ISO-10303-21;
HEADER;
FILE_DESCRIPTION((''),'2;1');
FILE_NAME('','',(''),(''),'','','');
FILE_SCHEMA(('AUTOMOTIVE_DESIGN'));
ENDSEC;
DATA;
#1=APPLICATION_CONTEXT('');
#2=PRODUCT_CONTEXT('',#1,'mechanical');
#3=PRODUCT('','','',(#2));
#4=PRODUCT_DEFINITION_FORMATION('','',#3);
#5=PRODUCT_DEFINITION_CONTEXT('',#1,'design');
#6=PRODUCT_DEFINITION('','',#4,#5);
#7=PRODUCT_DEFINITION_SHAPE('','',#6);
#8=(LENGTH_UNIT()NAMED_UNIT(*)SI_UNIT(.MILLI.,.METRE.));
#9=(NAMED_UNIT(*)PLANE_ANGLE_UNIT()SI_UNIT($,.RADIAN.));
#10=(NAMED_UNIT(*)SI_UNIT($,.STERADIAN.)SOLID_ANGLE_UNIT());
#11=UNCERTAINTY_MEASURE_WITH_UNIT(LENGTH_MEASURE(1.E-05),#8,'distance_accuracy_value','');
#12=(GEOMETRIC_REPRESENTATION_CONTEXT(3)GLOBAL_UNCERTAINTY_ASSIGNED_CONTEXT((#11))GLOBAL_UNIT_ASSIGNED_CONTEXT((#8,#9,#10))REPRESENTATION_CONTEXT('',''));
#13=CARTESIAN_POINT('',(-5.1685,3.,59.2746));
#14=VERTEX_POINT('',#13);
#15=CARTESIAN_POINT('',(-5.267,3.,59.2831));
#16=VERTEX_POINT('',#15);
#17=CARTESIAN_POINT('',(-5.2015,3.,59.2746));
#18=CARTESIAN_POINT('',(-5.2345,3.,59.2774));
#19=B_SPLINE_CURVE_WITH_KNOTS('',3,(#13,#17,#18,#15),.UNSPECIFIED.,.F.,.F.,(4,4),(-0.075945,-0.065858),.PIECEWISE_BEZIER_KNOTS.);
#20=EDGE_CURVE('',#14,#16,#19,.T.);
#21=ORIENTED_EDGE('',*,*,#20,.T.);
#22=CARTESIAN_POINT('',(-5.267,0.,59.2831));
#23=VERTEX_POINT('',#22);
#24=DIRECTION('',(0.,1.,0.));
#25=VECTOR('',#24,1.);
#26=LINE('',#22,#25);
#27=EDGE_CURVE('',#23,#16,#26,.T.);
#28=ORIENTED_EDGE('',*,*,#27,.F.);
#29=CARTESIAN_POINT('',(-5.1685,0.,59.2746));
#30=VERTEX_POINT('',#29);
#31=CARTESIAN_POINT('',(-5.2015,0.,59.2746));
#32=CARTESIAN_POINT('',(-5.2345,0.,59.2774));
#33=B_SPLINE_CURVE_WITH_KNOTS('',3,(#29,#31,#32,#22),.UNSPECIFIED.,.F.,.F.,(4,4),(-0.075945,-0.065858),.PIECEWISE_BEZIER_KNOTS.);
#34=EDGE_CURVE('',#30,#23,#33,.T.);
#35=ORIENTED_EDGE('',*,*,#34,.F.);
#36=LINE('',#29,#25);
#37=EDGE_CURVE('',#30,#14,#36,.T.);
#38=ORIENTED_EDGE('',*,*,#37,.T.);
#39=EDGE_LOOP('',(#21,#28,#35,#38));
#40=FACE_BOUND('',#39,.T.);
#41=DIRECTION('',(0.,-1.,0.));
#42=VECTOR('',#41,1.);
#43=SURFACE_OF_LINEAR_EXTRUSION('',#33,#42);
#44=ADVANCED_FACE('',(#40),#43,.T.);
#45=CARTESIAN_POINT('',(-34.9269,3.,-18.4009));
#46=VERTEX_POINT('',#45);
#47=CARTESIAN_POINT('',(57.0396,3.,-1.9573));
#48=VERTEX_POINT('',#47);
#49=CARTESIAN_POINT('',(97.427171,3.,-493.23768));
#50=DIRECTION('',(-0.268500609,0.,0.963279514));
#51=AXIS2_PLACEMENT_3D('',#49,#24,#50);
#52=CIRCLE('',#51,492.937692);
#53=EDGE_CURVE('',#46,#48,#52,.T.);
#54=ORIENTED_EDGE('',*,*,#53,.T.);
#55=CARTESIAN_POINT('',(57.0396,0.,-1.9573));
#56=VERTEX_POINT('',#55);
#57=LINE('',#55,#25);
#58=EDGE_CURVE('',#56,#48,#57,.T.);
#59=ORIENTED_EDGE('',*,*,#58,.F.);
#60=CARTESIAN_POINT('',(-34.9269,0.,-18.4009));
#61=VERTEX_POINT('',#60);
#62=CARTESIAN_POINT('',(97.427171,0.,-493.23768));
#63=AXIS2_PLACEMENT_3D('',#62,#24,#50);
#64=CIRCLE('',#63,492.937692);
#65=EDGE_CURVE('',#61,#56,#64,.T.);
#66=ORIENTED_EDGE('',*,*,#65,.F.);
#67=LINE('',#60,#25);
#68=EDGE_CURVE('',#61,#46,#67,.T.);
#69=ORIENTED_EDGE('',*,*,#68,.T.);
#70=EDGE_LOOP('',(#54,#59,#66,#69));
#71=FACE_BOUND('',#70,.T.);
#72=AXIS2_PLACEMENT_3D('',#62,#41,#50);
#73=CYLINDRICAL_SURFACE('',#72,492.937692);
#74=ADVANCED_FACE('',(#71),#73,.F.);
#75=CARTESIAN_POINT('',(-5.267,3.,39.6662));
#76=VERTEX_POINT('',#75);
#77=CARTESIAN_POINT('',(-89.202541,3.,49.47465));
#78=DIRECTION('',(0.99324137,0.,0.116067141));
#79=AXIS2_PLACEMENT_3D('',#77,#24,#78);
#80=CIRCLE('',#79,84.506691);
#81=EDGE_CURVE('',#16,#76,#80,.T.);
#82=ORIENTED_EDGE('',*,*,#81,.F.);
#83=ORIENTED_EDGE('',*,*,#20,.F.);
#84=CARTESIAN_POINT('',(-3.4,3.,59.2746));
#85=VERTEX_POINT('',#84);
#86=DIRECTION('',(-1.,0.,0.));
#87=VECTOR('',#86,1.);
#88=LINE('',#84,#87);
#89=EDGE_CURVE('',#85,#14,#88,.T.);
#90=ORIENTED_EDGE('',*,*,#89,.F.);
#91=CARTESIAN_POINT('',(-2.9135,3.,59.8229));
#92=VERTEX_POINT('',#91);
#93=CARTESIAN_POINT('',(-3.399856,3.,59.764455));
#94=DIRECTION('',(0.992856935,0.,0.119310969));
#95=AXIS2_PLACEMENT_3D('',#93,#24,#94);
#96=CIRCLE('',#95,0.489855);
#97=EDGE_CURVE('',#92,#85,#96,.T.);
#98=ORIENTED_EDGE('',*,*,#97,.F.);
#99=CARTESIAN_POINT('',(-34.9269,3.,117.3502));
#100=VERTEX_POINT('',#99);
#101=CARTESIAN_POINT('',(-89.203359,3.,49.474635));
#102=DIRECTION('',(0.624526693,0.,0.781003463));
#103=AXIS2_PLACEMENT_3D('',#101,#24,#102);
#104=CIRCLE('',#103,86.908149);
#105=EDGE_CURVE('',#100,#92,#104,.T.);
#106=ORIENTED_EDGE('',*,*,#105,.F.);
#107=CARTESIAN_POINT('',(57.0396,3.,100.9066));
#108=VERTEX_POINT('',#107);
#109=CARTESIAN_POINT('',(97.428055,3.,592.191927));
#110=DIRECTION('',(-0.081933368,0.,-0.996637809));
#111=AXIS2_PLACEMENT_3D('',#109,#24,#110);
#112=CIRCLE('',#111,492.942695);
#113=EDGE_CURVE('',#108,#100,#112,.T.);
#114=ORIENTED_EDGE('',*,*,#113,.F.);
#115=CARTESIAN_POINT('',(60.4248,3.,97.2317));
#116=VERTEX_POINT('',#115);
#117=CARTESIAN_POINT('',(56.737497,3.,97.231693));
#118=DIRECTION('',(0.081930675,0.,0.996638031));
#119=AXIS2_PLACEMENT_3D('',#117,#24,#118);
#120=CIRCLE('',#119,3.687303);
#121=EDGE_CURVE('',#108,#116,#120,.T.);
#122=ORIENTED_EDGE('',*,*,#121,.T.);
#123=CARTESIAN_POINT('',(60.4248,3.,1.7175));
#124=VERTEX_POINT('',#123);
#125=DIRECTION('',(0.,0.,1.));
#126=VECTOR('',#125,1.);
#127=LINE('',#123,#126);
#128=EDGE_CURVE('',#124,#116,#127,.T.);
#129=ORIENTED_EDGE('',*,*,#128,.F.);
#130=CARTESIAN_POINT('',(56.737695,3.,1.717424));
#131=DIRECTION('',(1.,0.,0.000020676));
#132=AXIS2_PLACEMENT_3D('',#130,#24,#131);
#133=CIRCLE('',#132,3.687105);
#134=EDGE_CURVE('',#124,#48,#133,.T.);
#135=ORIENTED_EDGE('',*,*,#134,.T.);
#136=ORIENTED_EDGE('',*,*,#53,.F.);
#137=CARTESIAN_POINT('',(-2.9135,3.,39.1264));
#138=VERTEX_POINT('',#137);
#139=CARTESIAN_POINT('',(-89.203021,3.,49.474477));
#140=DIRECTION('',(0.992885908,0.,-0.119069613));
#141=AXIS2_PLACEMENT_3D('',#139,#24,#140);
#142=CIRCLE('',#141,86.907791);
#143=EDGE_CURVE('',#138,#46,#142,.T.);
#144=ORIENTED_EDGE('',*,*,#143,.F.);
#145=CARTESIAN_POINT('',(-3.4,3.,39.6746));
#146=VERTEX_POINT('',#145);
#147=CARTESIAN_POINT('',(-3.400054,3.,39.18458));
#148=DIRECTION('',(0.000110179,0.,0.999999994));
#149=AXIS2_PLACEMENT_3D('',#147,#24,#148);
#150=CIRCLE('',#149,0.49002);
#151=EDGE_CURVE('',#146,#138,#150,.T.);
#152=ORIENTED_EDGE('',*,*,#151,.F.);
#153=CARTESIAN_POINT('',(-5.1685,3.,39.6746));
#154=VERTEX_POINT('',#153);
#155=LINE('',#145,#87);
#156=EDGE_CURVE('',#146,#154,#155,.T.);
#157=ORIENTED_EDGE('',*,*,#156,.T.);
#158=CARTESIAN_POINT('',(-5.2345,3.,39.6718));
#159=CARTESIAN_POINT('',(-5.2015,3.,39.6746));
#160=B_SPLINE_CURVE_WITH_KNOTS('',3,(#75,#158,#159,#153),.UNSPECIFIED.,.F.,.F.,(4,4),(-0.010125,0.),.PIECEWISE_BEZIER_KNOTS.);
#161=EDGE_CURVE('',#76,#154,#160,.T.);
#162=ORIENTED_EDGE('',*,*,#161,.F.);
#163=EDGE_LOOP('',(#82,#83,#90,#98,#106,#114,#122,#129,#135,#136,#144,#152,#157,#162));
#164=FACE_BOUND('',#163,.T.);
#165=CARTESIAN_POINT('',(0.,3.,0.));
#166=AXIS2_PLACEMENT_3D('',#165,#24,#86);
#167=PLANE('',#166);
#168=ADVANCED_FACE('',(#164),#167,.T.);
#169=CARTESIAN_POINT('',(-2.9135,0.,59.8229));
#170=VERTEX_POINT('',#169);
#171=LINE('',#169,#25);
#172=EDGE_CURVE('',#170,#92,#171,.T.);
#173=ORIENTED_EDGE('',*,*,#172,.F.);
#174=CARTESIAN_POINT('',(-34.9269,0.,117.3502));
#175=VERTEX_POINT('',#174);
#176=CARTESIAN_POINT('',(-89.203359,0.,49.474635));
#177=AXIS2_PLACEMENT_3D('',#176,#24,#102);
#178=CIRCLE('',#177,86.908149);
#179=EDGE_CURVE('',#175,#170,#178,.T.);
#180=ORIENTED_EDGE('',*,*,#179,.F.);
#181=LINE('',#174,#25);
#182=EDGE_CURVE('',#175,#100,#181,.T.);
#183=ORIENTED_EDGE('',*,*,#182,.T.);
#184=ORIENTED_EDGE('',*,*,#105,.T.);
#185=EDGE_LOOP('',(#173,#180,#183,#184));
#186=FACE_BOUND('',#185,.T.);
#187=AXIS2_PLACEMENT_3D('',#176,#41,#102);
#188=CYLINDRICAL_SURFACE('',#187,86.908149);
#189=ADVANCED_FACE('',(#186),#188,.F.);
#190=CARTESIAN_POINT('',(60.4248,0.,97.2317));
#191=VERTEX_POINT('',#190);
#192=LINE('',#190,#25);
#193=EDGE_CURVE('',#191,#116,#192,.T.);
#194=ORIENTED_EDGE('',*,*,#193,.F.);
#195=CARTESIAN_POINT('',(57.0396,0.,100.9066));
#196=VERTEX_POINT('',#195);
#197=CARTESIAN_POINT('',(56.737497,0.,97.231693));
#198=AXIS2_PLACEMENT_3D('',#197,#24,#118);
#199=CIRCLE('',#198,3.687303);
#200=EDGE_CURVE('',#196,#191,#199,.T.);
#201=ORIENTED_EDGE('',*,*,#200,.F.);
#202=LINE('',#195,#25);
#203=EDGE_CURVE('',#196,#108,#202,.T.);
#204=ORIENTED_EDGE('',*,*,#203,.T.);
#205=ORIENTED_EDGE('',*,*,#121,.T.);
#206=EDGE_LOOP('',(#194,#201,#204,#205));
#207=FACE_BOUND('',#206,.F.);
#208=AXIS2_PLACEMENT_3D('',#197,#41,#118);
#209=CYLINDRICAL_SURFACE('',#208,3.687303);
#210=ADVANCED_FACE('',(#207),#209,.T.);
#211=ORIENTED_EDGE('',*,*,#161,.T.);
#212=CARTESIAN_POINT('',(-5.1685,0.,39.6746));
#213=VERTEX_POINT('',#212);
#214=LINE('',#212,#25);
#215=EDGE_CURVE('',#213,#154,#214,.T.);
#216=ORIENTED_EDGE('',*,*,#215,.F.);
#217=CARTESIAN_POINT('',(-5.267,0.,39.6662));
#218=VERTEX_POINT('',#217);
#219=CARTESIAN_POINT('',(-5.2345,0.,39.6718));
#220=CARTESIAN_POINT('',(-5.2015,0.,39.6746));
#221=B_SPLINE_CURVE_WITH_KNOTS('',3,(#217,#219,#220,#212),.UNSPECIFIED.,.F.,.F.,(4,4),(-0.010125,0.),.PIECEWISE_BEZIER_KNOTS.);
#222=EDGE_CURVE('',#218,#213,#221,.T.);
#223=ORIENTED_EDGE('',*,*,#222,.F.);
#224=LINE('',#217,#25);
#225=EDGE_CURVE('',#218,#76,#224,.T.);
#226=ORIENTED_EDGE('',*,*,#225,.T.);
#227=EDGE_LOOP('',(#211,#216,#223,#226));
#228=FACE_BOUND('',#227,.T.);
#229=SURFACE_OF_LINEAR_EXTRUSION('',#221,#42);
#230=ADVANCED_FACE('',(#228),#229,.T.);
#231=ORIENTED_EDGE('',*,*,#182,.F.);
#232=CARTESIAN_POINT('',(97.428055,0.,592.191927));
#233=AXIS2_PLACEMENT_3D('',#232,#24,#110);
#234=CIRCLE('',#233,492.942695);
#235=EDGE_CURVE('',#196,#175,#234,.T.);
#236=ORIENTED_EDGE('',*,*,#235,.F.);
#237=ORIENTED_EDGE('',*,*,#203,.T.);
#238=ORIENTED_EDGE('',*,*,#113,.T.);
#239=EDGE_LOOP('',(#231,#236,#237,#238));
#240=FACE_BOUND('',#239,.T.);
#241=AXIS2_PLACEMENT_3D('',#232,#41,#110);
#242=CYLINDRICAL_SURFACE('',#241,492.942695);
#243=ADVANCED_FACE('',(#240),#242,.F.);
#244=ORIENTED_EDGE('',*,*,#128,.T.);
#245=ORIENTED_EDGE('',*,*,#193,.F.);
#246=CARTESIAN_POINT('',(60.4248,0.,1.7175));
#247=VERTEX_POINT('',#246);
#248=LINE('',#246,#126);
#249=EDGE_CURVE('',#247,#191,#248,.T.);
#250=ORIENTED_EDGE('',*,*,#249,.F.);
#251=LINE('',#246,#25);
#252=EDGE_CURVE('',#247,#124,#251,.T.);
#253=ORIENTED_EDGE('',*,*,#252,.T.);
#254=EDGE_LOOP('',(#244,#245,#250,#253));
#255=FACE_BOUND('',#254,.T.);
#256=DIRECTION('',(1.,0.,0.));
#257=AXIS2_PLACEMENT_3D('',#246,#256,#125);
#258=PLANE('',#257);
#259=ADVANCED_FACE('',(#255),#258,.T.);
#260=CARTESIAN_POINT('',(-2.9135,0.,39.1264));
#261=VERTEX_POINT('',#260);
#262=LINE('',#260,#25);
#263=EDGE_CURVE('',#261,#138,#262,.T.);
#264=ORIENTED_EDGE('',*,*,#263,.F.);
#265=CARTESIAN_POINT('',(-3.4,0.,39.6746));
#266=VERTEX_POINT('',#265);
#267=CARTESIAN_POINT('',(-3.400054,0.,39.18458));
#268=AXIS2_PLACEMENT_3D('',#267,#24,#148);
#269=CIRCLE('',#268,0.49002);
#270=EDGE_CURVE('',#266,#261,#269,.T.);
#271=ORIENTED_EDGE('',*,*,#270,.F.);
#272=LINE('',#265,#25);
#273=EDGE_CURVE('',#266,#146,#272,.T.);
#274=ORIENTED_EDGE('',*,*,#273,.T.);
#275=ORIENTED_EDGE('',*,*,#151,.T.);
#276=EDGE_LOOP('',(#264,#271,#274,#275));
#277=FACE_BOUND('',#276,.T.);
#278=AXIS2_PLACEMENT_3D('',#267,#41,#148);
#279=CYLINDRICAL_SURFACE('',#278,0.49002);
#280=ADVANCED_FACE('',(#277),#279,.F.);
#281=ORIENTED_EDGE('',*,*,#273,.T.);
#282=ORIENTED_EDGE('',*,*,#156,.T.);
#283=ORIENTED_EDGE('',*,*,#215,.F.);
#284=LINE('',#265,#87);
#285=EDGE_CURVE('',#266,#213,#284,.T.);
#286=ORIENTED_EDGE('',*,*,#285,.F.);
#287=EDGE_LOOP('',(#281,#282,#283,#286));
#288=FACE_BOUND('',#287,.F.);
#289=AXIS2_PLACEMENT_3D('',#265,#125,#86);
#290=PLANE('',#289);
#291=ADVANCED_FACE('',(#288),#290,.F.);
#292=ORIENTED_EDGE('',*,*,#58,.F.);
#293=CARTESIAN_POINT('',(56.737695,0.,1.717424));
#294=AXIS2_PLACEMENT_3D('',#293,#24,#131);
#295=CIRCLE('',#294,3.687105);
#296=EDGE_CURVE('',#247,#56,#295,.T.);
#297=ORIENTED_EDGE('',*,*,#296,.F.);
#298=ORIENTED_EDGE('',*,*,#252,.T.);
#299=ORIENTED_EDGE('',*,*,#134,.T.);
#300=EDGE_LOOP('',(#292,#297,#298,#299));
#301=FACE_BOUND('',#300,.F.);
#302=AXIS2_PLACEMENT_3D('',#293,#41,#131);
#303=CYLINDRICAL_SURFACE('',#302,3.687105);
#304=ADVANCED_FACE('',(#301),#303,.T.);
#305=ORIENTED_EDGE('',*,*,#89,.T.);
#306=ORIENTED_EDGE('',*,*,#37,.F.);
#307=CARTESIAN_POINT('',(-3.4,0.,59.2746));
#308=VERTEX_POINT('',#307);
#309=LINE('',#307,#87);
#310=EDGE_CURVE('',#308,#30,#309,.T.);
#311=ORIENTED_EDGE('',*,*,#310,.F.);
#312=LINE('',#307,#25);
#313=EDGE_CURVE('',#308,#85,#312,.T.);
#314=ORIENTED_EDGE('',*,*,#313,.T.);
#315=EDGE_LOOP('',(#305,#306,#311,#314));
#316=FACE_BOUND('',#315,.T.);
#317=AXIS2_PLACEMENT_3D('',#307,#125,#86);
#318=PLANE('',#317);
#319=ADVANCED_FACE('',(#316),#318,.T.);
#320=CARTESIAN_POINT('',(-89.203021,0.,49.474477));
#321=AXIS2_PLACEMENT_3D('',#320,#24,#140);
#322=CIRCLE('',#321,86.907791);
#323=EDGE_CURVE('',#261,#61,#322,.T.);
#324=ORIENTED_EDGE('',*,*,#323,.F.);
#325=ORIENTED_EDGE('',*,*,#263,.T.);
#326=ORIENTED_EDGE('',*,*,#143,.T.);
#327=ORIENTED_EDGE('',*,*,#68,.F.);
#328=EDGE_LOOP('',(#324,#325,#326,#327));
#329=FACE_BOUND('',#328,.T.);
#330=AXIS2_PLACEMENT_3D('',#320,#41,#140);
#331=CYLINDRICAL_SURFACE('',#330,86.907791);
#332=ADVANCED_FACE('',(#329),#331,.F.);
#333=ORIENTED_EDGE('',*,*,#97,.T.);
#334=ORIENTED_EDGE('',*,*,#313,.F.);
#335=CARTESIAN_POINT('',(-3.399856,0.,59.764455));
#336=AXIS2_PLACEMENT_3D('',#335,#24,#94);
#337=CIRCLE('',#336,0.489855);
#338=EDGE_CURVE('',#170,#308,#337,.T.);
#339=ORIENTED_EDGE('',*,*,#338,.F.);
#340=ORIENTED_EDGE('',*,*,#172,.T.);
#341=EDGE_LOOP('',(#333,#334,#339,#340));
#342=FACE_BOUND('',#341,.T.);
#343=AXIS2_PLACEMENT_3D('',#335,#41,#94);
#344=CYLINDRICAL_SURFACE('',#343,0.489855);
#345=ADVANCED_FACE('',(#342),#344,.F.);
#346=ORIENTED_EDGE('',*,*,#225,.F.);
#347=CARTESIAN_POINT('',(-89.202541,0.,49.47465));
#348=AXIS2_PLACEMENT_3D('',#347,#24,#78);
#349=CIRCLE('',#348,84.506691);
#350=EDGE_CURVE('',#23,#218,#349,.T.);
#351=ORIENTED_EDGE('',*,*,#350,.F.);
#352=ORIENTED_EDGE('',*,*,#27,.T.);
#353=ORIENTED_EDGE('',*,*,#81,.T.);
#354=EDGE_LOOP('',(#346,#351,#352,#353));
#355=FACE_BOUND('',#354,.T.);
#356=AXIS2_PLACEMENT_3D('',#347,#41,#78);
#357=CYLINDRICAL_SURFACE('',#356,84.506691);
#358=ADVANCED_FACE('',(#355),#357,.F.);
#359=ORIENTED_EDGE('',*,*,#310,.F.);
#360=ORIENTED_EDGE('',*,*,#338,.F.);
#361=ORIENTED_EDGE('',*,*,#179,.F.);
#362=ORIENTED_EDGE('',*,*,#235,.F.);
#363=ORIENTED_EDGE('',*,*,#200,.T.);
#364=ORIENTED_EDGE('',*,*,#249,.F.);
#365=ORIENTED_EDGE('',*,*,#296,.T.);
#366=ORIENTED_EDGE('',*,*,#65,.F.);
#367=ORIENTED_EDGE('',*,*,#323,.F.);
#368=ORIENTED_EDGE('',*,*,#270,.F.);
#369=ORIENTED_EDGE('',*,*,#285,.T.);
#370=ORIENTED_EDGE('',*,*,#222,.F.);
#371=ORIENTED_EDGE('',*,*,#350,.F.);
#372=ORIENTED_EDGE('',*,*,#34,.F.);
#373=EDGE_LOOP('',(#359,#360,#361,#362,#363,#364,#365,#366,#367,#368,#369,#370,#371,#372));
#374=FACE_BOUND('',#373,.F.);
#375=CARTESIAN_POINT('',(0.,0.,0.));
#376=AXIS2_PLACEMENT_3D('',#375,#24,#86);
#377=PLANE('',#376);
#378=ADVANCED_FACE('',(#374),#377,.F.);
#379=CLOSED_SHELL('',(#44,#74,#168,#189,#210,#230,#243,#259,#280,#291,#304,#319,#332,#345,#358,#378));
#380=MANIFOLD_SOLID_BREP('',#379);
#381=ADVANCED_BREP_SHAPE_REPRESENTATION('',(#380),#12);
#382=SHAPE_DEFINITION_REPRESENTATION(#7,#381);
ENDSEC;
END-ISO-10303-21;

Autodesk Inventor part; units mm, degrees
ref_plane "YZ Plane" through (0, 0, 0) normal (1, 0, 0) x (0, 1, 0)
ref_plane "XZ Plane" through (0, 0, 0) normal (0, 1, 0) x (-1, 0, 0)
ref_plane "XY Plane" through (0, 0, 0) normal (0, 0, 1) x (1, 0, 0)
sketch "Sketch1" plane through (0, 0, 0) normal (0, 1, 0) x (-1, 0, 0)
  arc A0 (5.267, 59.2831) -> (5.267, 39.6662) centre (89.2034, 49.4746) ccw
  spline S0 degree 3 poles (5.1685, 59.2746) (5.2015, 59.2746) (5.2345, 59.2774) (5.267, 59.2831) knots -0.075945 -0.075945 -0.075945 -0.075945 -0.065858 -0.065858 -0.065858 -0.065858
  line L0 (3.4, 59.2746) -> (5.1685, 59.2746)
  arc A1 (2.9135, 59.8229) -> (3.4, 59.2746) centre (3.4, 59.7645) ccw
  arc A2 (34.9269, 117.3502) -> (2.9135, 59.8229) centre (89.2034, 49.4746) ccw
  arc A3 (-57.0396, 100.9066) -> (34.9269, 117.3502) centre (-97.4277, 592.1892) ccw
  arc A4 (-57.0396, 100.9066) -> (-60.4248, 97.2317) centre (-56.7375, 97.2317) ccw
  line L1 (-60.4248, 1.7175) -> (-60.4248, 97.2317)
  arc A5 (-60.4248, 1.7175) -> (-57.0396, -1.9573) centre (-56.7375, 1.7175) ccw
  arc A6 (34.9269, -18.4009) -> (-57.0396, -1.9573) centre (-97.4277, -493.24) ccw
  arc A7 (2.9135, 39.1264) -> (34.9269, -18.4009) centre (89.2034, 49.4746) ccw
  arc A8 (3.4, 39.6746) -> (2.9135, 39.1264) centre (3.4, 39.1847) ccw
  line L2 (3.4, 39.6746) -> (5.1685, 39.6746)
  spline S1 degree 3 poles (5.267, 39.6662) (5.2345, 39.6718) (5.2015, 39.6746) (5.1685, 39.6746) knots -0.010125 -0.010125 -0.010125 -0.010125 0 0 0 0
  point P0 (0, 0)
  point P1 (-1.1347, 1.9446)
extrude "Extrusion1" add sketch "Sketch1" along normal blind 3
properties part number "headset cover"
